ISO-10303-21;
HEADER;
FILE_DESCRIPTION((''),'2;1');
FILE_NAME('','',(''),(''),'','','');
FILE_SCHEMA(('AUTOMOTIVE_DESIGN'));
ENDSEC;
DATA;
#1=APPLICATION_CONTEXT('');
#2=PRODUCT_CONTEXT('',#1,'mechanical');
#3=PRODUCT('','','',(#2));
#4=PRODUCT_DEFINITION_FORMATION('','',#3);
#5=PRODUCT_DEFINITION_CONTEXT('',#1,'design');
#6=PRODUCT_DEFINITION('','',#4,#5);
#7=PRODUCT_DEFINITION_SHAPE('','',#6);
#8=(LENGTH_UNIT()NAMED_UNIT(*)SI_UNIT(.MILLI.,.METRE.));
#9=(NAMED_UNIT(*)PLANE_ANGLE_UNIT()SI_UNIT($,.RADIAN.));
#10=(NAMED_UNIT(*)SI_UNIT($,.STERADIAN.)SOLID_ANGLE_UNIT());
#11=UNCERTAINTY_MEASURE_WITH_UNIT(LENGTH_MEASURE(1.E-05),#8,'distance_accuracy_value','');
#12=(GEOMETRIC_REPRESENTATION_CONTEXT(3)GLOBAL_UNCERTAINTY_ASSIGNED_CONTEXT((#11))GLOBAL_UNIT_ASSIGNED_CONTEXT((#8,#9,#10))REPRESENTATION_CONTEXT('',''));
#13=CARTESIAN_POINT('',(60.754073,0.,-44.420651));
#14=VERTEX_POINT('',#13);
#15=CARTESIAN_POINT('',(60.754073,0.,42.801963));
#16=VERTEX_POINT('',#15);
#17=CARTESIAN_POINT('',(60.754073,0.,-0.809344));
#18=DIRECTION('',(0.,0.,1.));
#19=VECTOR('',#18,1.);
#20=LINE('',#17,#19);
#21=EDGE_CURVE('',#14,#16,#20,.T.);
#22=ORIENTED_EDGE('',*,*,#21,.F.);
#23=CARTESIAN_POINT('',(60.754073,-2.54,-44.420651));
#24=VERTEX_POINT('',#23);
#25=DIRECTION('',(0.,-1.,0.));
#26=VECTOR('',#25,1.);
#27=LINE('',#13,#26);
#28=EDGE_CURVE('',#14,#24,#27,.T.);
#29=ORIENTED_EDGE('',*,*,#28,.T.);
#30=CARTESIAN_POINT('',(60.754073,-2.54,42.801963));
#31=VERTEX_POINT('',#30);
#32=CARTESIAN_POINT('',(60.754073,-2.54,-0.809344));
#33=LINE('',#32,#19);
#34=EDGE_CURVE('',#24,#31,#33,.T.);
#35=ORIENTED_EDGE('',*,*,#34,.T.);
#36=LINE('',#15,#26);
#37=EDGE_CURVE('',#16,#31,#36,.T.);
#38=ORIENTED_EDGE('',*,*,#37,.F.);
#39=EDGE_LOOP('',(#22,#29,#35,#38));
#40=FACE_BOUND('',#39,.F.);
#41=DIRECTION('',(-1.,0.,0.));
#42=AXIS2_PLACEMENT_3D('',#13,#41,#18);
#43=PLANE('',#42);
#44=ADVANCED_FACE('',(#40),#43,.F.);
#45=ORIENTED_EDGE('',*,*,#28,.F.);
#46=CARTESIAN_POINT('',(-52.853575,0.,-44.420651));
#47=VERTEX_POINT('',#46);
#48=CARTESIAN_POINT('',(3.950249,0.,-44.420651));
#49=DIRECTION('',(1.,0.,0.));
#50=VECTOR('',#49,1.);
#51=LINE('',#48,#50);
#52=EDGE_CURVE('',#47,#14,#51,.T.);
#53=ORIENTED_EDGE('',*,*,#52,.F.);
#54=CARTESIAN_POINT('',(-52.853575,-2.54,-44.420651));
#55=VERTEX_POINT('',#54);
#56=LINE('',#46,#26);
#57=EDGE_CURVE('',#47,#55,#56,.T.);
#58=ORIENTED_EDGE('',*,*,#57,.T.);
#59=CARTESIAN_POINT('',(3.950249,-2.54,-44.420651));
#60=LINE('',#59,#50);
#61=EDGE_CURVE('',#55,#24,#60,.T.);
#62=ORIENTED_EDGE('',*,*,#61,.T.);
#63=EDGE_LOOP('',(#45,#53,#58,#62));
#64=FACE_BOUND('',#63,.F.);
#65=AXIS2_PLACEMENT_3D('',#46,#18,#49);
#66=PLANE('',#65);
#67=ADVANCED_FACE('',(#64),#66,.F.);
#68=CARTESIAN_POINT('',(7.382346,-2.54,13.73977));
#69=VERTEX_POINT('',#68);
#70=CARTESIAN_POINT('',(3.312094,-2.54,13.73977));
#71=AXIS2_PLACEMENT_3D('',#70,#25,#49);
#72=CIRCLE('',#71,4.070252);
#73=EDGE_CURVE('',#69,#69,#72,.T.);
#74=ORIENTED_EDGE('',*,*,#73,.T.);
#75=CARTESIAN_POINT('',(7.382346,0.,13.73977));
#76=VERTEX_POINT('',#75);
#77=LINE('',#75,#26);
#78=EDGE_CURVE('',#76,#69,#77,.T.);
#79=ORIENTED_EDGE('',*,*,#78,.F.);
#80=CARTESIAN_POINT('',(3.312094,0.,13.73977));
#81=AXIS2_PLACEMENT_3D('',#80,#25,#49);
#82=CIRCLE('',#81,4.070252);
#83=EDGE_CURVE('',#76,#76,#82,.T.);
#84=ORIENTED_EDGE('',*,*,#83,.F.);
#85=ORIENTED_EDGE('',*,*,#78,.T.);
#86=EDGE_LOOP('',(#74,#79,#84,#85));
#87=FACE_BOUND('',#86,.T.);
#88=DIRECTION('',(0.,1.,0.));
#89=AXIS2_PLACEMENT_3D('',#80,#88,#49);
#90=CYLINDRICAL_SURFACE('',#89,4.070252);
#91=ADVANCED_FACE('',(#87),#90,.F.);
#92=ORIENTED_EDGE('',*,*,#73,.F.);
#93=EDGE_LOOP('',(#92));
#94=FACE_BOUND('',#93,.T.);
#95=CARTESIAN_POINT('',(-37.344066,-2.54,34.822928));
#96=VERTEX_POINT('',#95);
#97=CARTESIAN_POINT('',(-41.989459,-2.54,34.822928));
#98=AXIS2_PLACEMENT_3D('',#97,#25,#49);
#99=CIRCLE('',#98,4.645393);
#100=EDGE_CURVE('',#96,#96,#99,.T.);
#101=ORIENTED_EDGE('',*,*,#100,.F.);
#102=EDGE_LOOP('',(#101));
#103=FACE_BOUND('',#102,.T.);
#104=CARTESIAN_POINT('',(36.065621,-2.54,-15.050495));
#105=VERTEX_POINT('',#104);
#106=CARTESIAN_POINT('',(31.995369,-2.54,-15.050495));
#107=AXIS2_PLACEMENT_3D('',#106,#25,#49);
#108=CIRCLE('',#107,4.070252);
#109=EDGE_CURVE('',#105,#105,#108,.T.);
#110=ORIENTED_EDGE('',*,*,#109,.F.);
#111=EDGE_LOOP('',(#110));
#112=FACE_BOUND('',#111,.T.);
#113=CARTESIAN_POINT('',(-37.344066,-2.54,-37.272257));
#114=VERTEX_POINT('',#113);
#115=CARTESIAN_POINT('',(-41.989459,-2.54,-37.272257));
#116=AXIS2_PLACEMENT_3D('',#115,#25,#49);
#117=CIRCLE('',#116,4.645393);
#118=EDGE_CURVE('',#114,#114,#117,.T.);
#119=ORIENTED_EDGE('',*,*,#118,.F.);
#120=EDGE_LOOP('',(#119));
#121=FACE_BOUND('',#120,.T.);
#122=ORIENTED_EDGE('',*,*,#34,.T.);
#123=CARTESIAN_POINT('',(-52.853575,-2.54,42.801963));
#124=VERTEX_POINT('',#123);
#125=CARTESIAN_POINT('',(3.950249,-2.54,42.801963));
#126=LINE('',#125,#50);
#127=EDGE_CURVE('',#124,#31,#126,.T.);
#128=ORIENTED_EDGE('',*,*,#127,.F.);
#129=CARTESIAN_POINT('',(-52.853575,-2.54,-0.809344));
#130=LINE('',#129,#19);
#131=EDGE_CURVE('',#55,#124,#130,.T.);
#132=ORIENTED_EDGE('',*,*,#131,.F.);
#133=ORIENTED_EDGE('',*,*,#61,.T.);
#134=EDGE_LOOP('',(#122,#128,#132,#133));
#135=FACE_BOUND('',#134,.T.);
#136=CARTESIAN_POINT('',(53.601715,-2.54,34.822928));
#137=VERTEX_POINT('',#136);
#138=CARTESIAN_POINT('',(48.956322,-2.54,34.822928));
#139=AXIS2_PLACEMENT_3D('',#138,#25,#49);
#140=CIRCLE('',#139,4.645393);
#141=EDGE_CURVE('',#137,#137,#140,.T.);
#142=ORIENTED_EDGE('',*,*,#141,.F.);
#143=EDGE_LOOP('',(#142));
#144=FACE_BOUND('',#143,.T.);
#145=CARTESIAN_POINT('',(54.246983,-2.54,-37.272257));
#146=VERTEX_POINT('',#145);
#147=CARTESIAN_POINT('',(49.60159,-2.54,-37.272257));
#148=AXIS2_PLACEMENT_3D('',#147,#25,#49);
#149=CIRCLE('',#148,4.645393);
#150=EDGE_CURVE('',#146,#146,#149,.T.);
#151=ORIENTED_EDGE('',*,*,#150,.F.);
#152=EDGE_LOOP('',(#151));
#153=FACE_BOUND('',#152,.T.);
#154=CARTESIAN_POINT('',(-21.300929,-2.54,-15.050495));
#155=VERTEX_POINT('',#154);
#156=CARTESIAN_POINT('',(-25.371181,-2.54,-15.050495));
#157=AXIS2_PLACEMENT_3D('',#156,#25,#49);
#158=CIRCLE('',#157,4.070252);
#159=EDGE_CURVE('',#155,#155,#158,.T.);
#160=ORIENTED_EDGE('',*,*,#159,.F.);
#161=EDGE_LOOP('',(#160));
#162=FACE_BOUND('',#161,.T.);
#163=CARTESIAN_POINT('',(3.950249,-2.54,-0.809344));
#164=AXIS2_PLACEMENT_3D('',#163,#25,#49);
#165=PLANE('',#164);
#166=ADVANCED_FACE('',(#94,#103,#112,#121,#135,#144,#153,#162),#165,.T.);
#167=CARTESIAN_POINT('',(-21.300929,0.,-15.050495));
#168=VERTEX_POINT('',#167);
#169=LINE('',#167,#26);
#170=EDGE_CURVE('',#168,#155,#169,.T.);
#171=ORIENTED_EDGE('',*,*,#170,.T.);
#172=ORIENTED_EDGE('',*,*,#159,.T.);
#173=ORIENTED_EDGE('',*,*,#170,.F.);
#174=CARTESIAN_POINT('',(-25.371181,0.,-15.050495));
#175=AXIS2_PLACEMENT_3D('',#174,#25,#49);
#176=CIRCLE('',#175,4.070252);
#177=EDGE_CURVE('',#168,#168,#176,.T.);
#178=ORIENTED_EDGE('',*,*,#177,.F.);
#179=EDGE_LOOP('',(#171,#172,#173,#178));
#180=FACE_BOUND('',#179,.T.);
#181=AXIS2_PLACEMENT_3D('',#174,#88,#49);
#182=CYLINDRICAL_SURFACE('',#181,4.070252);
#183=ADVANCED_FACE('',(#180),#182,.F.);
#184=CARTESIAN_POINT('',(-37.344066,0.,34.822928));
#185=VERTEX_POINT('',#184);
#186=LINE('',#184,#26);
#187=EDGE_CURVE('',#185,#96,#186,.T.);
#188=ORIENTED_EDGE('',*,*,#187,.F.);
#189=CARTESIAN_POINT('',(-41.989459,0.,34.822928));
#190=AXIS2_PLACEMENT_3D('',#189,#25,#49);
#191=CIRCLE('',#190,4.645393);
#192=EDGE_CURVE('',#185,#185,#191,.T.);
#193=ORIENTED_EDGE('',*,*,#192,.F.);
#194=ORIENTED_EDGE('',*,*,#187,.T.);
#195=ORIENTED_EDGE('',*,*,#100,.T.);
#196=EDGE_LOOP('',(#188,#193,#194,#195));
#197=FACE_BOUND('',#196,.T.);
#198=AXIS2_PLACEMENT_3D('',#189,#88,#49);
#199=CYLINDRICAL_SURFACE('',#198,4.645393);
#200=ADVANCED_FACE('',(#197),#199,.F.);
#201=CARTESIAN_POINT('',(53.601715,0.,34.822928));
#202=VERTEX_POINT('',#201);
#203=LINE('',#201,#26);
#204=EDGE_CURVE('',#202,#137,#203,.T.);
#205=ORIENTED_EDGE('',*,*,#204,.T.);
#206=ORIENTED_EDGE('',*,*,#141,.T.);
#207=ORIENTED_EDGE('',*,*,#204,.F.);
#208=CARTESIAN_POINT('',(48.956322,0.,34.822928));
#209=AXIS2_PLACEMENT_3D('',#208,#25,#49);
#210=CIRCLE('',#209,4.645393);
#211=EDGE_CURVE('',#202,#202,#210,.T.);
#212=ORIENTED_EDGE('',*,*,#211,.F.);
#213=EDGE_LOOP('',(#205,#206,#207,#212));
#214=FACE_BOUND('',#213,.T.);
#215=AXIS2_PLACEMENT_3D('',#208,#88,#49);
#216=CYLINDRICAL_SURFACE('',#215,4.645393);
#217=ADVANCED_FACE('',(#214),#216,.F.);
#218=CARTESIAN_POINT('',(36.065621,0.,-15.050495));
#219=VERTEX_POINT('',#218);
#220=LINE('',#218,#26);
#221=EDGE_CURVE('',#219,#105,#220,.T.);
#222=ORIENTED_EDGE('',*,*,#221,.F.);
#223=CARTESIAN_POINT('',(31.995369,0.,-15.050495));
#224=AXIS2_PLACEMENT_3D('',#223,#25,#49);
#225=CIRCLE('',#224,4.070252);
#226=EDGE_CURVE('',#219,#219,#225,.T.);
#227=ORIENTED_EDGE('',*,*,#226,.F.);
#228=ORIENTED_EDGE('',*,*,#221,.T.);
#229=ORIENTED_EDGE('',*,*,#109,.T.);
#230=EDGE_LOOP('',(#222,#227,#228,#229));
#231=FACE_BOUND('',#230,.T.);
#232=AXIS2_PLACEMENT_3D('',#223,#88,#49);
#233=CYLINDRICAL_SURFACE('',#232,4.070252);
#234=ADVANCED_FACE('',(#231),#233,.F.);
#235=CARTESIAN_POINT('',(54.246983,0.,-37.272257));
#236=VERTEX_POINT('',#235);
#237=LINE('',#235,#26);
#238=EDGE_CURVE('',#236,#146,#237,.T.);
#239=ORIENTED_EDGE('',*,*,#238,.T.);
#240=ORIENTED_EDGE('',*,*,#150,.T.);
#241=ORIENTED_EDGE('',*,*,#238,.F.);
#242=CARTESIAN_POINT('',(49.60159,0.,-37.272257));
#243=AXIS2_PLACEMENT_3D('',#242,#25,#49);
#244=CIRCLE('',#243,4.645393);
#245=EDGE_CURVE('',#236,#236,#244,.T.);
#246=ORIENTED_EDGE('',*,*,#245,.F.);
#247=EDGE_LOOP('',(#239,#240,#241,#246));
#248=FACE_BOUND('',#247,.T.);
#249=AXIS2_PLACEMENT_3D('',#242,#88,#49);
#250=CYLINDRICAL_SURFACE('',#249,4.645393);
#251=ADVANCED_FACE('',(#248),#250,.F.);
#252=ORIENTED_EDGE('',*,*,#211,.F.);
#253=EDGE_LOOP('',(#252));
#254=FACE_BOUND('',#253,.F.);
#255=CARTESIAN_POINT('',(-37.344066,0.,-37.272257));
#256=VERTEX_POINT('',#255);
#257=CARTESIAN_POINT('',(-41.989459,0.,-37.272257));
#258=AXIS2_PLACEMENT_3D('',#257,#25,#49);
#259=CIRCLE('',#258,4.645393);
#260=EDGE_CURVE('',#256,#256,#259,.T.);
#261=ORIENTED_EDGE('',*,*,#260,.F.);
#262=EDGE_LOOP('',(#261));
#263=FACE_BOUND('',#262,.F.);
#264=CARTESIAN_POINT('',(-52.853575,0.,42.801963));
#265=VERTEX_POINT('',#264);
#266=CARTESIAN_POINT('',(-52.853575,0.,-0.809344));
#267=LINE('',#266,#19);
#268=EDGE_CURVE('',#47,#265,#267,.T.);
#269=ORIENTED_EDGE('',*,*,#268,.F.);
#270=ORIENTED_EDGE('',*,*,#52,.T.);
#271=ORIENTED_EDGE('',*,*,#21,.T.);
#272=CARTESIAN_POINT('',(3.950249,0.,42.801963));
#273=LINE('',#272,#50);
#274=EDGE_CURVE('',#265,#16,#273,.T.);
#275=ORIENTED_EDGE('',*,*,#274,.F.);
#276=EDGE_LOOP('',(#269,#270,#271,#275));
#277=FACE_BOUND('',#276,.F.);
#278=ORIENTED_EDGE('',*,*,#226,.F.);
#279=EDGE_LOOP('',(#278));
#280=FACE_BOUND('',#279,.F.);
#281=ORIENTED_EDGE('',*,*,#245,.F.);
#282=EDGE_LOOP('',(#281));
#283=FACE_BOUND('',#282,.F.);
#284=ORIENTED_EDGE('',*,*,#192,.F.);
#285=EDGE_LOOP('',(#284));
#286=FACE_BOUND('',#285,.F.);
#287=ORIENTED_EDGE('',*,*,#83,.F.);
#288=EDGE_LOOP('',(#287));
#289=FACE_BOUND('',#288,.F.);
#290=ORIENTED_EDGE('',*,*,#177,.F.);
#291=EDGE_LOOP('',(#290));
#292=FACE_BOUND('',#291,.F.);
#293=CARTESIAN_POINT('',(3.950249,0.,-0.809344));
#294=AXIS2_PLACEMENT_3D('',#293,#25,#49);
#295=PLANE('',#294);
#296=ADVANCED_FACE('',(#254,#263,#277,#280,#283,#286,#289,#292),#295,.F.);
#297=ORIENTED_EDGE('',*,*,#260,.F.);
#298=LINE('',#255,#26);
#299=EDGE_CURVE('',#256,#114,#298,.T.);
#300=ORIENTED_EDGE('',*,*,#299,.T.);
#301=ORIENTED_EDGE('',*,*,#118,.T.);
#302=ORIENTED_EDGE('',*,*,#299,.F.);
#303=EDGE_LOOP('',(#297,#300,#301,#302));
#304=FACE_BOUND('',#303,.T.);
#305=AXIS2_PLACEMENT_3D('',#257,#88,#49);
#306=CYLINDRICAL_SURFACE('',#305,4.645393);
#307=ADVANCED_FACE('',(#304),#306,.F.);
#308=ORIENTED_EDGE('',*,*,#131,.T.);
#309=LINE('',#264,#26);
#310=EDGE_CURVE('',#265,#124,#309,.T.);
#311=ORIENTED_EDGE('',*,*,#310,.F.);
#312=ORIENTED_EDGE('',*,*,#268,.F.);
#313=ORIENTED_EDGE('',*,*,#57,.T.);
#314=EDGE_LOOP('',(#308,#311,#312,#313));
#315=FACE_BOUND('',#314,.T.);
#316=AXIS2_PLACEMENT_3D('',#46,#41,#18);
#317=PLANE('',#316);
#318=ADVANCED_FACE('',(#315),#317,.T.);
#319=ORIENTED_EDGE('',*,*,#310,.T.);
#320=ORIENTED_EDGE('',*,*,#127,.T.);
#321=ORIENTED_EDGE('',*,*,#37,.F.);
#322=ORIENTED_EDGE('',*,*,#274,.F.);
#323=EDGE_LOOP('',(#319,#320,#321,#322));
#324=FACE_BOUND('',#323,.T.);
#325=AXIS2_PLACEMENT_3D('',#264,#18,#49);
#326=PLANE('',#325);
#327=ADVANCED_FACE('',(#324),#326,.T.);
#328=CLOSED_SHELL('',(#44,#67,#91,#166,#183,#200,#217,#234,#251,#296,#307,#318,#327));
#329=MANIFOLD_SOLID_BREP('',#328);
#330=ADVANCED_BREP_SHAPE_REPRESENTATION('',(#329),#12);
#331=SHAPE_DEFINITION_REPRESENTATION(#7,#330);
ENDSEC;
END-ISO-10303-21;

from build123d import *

# Parameters (mm, degrees)
F0_W     = 113.607649
F0_H     = 87.222615
F0_R     = 4.645393
F0_R_2   = 4.070252
F1_DEPTH = 2.54


with BuildPart() as f1:
    # F0 (on Front) → F1 (new body)
    with BuildSketch(Plane.XZ):
        with Locations((3.950249, -0.809344)):
            Rectangle(F0_W, F0_H)
        with Locations((-41.989459, -37.272257)):
            Circle(F0_R, mode=Mode.SUBTRACT)
        with Locations((-25.371181, -15.050495)):
            Circle(F0_R_2, mode=Mode.SUBTRACT)
        with Locations((49.60159, -37.272257)):
            Circle(F0_R, mode=Mode.SUBTRACT)
        with Locations((31.995369, -15.050495)):
            Circle(F0_R_2, mode=Mode.SUBTRACT)
        with Locations((3.312094, 13.73977)):
            Circle(F0_R_2, mode=Mode.SUBTRACT)
        with Locations((-41.989459, 34.822928)):
            Circle(F0_R, mode=Mode.SUBTRACT)
        with Locations((48.956322, 34.822928)):
            Circle(F0_R, mode=Mode.SUBTRACT)
    extrude(amount=F1_DEPTH)


solid = f1.part
